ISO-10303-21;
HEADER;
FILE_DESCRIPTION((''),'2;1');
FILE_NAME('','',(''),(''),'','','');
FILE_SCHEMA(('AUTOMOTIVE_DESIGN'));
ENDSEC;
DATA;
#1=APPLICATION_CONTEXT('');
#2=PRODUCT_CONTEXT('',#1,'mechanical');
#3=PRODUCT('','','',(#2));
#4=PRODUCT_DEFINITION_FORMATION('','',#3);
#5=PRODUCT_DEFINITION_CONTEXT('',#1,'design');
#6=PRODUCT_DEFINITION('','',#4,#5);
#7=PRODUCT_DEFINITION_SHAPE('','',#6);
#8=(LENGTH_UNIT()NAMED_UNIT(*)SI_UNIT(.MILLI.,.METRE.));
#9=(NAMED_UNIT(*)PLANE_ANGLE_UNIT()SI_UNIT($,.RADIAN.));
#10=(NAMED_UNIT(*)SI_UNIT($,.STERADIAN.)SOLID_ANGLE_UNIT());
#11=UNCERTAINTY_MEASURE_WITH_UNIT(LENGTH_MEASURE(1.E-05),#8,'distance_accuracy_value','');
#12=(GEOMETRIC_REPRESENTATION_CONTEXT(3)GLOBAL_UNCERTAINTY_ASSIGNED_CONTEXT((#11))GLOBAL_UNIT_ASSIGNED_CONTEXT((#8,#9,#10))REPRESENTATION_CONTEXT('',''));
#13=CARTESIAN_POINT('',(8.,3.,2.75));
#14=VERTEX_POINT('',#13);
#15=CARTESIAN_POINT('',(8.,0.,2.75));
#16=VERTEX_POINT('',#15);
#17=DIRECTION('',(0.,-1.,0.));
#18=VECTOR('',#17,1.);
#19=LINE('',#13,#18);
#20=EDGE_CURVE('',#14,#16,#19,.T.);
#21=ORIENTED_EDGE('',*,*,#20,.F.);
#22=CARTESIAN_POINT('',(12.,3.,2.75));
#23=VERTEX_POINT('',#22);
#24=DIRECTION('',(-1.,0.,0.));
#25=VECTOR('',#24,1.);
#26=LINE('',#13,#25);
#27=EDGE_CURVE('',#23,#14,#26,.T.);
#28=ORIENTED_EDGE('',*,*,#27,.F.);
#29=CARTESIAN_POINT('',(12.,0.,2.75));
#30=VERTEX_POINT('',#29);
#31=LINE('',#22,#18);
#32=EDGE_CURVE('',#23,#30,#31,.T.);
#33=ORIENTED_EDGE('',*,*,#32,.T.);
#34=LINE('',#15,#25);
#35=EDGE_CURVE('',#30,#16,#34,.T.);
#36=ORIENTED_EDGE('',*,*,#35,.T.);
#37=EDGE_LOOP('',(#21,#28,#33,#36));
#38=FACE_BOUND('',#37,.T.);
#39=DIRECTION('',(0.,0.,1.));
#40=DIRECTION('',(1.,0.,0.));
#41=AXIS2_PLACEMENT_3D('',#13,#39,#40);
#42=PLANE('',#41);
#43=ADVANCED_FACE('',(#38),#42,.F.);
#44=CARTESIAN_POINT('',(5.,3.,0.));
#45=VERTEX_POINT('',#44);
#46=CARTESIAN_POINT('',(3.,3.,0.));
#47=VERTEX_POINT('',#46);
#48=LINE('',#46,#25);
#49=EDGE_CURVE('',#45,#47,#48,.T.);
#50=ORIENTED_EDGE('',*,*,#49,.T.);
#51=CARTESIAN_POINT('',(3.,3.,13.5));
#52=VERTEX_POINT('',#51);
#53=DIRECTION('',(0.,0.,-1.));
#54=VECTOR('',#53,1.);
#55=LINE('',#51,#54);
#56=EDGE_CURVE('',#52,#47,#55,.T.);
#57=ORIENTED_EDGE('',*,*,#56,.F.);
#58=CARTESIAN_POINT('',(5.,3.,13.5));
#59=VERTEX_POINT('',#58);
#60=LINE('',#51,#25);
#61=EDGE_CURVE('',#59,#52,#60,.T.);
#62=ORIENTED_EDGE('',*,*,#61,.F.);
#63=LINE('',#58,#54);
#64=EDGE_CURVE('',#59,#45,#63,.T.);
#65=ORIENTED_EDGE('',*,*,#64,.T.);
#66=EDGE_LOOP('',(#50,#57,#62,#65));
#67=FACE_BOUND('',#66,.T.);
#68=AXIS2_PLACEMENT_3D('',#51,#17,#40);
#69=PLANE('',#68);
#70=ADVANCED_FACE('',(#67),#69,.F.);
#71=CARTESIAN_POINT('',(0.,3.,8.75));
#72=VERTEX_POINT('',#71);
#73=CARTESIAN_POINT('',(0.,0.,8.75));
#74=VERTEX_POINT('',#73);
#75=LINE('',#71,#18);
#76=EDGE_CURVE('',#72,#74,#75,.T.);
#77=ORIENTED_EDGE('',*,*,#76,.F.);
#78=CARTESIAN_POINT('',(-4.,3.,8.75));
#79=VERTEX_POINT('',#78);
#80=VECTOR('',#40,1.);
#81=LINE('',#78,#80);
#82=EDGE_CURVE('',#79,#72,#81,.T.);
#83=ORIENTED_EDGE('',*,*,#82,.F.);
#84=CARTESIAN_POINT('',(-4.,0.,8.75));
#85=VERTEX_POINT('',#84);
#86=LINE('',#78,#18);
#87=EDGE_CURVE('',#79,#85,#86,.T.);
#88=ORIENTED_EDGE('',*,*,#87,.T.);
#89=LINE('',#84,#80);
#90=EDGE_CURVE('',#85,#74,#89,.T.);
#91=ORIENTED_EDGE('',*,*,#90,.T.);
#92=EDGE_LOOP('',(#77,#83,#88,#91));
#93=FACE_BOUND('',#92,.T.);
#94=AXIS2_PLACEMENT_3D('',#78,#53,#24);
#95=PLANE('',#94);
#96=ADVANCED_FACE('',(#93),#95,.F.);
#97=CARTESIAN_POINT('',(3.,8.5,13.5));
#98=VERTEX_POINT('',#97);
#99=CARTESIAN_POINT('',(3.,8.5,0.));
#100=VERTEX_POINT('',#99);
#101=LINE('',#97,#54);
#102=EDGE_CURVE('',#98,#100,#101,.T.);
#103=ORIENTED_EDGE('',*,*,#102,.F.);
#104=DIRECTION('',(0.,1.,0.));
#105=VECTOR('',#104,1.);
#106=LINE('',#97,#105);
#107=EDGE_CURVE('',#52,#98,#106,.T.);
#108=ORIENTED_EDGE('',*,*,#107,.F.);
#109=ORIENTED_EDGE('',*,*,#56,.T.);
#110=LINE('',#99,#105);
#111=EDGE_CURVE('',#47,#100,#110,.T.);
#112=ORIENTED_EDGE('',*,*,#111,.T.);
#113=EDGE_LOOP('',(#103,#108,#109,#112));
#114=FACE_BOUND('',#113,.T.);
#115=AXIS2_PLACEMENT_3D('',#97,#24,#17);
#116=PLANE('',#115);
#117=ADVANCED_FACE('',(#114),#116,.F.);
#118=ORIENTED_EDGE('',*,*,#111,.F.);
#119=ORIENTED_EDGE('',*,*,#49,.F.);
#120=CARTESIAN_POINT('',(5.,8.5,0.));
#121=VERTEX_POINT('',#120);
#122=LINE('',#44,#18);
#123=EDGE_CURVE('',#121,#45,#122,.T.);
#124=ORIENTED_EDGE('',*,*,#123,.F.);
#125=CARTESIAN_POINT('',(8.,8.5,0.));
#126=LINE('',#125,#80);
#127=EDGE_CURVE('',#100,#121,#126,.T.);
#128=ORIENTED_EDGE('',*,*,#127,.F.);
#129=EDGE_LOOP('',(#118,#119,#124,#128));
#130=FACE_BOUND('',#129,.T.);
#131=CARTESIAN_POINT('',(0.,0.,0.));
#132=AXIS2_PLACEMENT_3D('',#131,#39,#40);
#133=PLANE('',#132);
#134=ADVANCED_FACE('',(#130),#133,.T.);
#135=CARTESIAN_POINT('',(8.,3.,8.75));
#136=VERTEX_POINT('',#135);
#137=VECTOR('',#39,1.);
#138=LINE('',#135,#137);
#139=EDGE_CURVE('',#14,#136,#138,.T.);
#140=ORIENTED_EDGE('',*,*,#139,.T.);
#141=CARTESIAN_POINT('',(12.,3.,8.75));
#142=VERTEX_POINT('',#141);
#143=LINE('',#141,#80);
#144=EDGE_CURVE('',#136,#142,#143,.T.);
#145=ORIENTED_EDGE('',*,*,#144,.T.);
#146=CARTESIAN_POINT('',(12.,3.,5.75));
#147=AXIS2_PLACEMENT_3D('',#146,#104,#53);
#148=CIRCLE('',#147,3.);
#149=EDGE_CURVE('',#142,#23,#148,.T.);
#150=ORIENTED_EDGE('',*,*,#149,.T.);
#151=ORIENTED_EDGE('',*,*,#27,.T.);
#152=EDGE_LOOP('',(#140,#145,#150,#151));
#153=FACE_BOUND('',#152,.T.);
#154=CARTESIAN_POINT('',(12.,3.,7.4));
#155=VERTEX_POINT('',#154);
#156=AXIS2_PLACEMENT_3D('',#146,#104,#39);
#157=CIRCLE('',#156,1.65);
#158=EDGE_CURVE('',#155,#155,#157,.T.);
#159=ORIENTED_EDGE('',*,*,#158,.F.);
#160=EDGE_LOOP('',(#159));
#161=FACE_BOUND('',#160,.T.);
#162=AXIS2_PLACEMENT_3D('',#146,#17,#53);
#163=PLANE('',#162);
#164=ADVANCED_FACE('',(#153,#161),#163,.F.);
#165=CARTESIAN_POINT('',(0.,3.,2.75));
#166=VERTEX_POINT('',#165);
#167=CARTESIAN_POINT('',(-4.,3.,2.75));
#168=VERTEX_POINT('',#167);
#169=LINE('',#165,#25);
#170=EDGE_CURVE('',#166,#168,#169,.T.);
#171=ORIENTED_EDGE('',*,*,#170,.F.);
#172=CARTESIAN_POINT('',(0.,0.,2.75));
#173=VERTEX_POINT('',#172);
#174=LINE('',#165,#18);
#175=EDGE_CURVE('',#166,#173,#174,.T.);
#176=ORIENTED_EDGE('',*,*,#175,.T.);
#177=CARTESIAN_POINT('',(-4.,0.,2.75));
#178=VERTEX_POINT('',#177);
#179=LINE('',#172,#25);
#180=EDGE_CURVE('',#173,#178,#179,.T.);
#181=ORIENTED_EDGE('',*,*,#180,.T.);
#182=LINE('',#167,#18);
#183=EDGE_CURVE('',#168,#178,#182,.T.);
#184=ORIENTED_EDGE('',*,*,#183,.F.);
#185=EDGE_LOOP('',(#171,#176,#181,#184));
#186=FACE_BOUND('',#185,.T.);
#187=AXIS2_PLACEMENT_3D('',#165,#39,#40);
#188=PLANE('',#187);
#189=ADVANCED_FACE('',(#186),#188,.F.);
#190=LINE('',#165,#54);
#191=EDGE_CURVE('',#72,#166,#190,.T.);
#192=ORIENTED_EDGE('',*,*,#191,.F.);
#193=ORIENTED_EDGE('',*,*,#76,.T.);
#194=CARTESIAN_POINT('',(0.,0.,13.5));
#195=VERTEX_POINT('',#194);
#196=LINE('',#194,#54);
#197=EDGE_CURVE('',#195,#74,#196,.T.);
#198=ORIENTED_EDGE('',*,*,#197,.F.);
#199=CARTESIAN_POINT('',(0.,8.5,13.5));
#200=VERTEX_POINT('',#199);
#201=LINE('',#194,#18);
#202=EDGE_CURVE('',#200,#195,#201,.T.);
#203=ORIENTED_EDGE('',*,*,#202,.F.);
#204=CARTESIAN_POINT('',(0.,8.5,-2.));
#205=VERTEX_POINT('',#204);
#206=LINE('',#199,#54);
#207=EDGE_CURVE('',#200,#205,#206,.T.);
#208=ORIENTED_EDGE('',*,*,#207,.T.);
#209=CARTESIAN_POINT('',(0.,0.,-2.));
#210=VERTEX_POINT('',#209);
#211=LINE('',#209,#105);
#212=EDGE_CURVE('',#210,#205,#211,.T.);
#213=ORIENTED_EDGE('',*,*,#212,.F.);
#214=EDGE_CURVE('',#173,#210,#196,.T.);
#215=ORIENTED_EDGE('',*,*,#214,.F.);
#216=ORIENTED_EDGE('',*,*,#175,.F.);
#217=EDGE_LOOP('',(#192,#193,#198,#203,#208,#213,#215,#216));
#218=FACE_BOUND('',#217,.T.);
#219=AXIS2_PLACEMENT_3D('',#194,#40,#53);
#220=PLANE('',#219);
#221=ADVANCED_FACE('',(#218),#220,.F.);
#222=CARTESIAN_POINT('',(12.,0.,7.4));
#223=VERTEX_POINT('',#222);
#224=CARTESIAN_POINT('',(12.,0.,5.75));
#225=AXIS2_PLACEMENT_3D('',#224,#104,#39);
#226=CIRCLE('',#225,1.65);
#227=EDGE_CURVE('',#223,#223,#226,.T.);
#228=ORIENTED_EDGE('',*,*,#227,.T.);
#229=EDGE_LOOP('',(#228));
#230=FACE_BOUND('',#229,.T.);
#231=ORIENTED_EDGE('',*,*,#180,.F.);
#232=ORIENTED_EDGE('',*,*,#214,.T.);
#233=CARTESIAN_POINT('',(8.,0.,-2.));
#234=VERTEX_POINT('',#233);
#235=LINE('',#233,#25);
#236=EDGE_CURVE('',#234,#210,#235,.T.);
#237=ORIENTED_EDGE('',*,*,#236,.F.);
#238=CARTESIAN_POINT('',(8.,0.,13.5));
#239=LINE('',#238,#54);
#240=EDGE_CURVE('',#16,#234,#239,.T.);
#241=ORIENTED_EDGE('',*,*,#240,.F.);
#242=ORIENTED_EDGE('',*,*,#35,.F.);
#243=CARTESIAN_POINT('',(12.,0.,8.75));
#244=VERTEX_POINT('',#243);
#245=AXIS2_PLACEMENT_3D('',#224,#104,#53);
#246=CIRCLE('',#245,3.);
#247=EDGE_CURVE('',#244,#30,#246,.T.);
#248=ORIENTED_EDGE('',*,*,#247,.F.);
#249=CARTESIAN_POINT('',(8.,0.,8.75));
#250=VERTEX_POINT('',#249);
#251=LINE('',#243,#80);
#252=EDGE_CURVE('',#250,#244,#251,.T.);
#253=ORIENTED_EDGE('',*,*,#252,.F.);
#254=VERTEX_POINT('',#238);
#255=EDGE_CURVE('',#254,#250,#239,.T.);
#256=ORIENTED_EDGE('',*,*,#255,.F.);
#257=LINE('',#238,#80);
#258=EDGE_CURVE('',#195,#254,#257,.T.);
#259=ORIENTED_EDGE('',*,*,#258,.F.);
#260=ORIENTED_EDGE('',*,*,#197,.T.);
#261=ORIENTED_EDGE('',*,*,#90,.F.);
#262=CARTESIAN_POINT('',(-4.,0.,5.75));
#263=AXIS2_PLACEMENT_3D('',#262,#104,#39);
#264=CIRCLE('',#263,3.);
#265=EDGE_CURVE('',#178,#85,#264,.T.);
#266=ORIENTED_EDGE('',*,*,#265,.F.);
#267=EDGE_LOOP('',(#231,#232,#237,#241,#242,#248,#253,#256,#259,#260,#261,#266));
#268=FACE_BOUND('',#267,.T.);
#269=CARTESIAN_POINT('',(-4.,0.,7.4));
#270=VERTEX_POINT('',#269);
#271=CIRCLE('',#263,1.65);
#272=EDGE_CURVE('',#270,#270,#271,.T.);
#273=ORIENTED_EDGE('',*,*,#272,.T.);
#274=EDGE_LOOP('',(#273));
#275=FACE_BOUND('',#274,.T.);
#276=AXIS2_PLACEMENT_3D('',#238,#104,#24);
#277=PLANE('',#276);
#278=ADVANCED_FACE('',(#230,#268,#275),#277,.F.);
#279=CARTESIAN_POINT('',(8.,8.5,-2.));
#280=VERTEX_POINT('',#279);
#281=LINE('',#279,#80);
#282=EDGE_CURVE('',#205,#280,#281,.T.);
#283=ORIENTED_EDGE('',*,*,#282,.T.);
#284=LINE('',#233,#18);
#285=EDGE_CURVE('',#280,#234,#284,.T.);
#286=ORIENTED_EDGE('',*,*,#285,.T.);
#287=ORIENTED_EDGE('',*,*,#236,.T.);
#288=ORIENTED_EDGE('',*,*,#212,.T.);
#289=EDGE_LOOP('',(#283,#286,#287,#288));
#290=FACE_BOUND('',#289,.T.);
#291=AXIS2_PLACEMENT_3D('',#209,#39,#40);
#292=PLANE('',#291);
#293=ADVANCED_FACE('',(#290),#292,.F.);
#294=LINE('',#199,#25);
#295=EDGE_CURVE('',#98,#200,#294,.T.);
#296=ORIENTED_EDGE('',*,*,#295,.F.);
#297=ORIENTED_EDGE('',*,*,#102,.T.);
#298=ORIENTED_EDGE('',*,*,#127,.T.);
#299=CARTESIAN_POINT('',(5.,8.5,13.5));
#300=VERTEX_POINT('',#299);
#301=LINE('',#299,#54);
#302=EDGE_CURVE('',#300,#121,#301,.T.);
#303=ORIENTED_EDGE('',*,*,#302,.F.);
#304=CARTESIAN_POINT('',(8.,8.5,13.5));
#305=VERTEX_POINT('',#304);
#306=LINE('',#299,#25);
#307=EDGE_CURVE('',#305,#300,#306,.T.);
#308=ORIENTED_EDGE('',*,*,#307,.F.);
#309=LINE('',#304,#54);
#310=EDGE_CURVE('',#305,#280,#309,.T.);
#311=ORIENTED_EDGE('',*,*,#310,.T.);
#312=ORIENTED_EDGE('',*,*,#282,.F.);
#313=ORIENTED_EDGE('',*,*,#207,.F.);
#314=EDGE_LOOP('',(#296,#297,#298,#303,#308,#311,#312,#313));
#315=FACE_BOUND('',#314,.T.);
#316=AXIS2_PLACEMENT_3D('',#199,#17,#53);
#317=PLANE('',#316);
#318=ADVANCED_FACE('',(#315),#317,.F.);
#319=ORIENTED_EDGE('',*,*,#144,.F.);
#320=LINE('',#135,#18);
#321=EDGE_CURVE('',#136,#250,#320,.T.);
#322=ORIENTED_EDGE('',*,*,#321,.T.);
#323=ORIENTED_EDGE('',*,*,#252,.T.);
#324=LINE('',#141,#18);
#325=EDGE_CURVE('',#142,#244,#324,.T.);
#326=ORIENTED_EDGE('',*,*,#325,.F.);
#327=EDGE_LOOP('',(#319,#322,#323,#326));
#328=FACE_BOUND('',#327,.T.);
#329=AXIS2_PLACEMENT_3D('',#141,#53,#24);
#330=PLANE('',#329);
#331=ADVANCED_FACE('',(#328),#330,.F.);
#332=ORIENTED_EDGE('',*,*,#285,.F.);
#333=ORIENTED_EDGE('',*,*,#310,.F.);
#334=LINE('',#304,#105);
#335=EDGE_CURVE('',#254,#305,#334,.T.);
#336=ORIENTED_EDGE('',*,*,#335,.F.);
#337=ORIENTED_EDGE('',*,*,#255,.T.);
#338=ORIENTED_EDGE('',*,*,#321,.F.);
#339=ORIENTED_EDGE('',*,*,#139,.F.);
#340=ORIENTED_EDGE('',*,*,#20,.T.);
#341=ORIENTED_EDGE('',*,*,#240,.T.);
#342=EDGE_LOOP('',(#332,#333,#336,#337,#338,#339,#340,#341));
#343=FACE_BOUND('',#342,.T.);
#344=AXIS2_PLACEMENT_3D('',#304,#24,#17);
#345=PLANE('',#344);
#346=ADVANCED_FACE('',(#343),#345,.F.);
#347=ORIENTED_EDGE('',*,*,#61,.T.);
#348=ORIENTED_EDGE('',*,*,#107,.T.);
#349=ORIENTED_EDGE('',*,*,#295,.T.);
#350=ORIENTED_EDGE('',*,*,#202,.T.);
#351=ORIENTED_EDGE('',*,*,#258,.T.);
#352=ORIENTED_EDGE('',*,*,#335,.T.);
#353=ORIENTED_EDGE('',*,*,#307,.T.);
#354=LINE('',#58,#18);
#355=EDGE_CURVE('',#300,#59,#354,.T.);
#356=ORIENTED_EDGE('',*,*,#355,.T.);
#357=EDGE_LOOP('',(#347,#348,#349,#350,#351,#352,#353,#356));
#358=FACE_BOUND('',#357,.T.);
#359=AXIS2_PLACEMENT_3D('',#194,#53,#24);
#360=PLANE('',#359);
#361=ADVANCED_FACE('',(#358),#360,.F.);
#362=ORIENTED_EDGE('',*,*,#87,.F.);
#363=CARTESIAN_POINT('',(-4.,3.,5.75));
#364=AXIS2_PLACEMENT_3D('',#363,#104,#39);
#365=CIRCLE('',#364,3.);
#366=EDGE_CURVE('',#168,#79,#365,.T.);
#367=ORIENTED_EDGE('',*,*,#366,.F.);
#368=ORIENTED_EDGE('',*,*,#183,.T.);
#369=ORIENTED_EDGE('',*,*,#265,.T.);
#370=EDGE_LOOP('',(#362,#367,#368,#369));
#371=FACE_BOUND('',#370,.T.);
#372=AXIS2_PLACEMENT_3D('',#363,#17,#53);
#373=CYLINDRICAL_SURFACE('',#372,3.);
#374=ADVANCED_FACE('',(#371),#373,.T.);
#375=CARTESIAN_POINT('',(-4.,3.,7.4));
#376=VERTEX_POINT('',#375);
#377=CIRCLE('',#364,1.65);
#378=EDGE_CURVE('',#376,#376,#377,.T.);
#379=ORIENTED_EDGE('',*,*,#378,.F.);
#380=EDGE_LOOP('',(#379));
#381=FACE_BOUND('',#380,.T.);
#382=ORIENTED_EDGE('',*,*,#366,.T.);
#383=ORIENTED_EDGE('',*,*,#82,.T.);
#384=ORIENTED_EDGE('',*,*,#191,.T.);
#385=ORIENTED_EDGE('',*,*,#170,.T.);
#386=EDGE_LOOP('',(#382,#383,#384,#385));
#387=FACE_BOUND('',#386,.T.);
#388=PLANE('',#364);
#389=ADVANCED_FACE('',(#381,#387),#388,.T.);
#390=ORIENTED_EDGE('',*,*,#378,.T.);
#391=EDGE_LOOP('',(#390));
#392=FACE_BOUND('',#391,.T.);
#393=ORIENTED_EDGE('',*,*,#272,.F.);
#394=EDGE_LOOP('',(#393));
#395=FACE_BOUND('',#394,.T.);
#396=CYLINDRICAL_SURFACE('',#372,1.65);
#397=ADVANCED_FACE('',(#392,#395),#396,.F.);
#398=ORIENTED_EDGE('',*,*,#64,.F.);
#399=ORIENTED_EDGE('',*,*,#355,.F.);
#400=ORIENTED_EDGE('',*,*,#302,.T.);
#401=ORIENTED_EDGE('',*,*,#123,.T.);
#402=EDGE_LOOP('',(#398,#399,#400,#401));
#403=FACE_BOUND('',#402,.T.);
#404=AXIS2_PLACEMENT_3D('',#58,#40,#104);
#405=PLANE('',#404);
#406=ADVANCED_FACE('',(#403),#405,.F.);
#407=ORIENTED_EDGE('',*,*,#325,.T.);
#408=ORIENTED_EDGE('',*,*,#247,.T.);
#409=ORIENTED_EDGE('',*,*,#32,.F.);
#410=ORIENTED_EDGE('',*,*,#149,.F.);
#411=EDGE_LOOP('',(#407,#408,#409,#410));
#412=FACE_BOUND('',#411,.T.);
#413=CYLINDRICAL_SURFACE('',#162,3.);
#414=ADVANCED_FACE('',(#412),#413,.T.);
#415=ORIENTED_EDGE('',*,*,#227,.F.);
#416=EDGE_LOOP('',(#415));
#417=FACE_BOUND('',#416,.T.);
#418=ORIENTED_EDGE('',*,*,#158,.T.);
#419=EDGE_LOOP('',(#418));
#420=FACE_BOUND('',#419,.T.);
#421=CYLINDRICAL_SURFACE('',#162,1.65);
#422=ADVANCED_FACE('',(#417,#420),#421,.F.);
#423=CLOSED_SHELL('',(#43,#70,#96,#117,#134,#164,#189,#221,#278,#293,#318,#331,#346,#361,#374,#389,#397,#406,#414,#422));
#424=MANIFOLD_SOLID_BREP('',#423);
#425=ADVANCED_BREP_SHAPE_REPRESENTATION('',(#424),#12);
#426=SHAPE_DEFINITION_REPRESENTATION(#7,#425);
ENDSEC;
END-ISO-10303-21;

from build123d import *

# Parameters (mm, degrees)
BOSS_EXTRUDE1_DEPTH = 13.5
SKETCH2_W           = 8
SKETCH2_H           = 8.5
BOSS_EXTRUDE2_DEPTH = 2
SKETCH3_R           = 1.65
BOSS_EXTRUDE3_DEPTH = 3


with BuildPart() as part:
    # Sketch1 → Boss-Extrude1 (new body)
    with BuildSketch(Plane.XY):
        Polygon((0, 0), (0, 8.5), (3, 8.5), (3, 3), (5, 3), (5, 8.5), (8, 8.5), (8, 0), align=None)
    extrude(amount=BOSS_EXTRUDE1_DEPTH)

    # Sketch2 → Boss-Extrude2 (add)
    with BuildSketch(Plane(origin=(0, 0, 0), x_dir=(-1, 0, 0), z_dir=(0, 0, -1))):
        with Locations((-4, 4.25)):
            Rectangle(SKETCH2_W, SKETCH2_H)
    extrude(amount=BOSS_EXTRUDE2_DEPTH)

    # Sketch3 → Boss-Extrude3 (add)
    with BuildSketch(Plane(origin=(0, 0, 0), x_dir=(1, 0, 0), z_dir=(0, 1, 0))):
        with BuildLine():
            Line((0, -2.75), (-4, -2.75))
            ThreePointArc((-4, -2.75), (-7, -5.75), (-4, -8.75))
            Line((-4, -8.75), (0, -8.75))
            Line((0, -8.75), (0, -2.75))
        make_face()
        with Locations((-4, -5.75)):
            Circle(SKETCH3_R, mode=Mode.SUBTRACT)
        with BuildLine():
            Line((8, -2.75), (12, -2.75))
            ThreePointArc((12, -2.75), (15, -5.75), (12, -8.75))
            Line((12, -8.75), (8, -8.75))
            Line((8, -8.75), (8, -2.75))
        make_face()
        with Locations((12, -5.75)):
            Circle(SKETCH3_R, mode=Mode.SUBTRACT)
    extrude(amount=BOSS_EXTRUDE3_DEPTH)


solid = part.part
